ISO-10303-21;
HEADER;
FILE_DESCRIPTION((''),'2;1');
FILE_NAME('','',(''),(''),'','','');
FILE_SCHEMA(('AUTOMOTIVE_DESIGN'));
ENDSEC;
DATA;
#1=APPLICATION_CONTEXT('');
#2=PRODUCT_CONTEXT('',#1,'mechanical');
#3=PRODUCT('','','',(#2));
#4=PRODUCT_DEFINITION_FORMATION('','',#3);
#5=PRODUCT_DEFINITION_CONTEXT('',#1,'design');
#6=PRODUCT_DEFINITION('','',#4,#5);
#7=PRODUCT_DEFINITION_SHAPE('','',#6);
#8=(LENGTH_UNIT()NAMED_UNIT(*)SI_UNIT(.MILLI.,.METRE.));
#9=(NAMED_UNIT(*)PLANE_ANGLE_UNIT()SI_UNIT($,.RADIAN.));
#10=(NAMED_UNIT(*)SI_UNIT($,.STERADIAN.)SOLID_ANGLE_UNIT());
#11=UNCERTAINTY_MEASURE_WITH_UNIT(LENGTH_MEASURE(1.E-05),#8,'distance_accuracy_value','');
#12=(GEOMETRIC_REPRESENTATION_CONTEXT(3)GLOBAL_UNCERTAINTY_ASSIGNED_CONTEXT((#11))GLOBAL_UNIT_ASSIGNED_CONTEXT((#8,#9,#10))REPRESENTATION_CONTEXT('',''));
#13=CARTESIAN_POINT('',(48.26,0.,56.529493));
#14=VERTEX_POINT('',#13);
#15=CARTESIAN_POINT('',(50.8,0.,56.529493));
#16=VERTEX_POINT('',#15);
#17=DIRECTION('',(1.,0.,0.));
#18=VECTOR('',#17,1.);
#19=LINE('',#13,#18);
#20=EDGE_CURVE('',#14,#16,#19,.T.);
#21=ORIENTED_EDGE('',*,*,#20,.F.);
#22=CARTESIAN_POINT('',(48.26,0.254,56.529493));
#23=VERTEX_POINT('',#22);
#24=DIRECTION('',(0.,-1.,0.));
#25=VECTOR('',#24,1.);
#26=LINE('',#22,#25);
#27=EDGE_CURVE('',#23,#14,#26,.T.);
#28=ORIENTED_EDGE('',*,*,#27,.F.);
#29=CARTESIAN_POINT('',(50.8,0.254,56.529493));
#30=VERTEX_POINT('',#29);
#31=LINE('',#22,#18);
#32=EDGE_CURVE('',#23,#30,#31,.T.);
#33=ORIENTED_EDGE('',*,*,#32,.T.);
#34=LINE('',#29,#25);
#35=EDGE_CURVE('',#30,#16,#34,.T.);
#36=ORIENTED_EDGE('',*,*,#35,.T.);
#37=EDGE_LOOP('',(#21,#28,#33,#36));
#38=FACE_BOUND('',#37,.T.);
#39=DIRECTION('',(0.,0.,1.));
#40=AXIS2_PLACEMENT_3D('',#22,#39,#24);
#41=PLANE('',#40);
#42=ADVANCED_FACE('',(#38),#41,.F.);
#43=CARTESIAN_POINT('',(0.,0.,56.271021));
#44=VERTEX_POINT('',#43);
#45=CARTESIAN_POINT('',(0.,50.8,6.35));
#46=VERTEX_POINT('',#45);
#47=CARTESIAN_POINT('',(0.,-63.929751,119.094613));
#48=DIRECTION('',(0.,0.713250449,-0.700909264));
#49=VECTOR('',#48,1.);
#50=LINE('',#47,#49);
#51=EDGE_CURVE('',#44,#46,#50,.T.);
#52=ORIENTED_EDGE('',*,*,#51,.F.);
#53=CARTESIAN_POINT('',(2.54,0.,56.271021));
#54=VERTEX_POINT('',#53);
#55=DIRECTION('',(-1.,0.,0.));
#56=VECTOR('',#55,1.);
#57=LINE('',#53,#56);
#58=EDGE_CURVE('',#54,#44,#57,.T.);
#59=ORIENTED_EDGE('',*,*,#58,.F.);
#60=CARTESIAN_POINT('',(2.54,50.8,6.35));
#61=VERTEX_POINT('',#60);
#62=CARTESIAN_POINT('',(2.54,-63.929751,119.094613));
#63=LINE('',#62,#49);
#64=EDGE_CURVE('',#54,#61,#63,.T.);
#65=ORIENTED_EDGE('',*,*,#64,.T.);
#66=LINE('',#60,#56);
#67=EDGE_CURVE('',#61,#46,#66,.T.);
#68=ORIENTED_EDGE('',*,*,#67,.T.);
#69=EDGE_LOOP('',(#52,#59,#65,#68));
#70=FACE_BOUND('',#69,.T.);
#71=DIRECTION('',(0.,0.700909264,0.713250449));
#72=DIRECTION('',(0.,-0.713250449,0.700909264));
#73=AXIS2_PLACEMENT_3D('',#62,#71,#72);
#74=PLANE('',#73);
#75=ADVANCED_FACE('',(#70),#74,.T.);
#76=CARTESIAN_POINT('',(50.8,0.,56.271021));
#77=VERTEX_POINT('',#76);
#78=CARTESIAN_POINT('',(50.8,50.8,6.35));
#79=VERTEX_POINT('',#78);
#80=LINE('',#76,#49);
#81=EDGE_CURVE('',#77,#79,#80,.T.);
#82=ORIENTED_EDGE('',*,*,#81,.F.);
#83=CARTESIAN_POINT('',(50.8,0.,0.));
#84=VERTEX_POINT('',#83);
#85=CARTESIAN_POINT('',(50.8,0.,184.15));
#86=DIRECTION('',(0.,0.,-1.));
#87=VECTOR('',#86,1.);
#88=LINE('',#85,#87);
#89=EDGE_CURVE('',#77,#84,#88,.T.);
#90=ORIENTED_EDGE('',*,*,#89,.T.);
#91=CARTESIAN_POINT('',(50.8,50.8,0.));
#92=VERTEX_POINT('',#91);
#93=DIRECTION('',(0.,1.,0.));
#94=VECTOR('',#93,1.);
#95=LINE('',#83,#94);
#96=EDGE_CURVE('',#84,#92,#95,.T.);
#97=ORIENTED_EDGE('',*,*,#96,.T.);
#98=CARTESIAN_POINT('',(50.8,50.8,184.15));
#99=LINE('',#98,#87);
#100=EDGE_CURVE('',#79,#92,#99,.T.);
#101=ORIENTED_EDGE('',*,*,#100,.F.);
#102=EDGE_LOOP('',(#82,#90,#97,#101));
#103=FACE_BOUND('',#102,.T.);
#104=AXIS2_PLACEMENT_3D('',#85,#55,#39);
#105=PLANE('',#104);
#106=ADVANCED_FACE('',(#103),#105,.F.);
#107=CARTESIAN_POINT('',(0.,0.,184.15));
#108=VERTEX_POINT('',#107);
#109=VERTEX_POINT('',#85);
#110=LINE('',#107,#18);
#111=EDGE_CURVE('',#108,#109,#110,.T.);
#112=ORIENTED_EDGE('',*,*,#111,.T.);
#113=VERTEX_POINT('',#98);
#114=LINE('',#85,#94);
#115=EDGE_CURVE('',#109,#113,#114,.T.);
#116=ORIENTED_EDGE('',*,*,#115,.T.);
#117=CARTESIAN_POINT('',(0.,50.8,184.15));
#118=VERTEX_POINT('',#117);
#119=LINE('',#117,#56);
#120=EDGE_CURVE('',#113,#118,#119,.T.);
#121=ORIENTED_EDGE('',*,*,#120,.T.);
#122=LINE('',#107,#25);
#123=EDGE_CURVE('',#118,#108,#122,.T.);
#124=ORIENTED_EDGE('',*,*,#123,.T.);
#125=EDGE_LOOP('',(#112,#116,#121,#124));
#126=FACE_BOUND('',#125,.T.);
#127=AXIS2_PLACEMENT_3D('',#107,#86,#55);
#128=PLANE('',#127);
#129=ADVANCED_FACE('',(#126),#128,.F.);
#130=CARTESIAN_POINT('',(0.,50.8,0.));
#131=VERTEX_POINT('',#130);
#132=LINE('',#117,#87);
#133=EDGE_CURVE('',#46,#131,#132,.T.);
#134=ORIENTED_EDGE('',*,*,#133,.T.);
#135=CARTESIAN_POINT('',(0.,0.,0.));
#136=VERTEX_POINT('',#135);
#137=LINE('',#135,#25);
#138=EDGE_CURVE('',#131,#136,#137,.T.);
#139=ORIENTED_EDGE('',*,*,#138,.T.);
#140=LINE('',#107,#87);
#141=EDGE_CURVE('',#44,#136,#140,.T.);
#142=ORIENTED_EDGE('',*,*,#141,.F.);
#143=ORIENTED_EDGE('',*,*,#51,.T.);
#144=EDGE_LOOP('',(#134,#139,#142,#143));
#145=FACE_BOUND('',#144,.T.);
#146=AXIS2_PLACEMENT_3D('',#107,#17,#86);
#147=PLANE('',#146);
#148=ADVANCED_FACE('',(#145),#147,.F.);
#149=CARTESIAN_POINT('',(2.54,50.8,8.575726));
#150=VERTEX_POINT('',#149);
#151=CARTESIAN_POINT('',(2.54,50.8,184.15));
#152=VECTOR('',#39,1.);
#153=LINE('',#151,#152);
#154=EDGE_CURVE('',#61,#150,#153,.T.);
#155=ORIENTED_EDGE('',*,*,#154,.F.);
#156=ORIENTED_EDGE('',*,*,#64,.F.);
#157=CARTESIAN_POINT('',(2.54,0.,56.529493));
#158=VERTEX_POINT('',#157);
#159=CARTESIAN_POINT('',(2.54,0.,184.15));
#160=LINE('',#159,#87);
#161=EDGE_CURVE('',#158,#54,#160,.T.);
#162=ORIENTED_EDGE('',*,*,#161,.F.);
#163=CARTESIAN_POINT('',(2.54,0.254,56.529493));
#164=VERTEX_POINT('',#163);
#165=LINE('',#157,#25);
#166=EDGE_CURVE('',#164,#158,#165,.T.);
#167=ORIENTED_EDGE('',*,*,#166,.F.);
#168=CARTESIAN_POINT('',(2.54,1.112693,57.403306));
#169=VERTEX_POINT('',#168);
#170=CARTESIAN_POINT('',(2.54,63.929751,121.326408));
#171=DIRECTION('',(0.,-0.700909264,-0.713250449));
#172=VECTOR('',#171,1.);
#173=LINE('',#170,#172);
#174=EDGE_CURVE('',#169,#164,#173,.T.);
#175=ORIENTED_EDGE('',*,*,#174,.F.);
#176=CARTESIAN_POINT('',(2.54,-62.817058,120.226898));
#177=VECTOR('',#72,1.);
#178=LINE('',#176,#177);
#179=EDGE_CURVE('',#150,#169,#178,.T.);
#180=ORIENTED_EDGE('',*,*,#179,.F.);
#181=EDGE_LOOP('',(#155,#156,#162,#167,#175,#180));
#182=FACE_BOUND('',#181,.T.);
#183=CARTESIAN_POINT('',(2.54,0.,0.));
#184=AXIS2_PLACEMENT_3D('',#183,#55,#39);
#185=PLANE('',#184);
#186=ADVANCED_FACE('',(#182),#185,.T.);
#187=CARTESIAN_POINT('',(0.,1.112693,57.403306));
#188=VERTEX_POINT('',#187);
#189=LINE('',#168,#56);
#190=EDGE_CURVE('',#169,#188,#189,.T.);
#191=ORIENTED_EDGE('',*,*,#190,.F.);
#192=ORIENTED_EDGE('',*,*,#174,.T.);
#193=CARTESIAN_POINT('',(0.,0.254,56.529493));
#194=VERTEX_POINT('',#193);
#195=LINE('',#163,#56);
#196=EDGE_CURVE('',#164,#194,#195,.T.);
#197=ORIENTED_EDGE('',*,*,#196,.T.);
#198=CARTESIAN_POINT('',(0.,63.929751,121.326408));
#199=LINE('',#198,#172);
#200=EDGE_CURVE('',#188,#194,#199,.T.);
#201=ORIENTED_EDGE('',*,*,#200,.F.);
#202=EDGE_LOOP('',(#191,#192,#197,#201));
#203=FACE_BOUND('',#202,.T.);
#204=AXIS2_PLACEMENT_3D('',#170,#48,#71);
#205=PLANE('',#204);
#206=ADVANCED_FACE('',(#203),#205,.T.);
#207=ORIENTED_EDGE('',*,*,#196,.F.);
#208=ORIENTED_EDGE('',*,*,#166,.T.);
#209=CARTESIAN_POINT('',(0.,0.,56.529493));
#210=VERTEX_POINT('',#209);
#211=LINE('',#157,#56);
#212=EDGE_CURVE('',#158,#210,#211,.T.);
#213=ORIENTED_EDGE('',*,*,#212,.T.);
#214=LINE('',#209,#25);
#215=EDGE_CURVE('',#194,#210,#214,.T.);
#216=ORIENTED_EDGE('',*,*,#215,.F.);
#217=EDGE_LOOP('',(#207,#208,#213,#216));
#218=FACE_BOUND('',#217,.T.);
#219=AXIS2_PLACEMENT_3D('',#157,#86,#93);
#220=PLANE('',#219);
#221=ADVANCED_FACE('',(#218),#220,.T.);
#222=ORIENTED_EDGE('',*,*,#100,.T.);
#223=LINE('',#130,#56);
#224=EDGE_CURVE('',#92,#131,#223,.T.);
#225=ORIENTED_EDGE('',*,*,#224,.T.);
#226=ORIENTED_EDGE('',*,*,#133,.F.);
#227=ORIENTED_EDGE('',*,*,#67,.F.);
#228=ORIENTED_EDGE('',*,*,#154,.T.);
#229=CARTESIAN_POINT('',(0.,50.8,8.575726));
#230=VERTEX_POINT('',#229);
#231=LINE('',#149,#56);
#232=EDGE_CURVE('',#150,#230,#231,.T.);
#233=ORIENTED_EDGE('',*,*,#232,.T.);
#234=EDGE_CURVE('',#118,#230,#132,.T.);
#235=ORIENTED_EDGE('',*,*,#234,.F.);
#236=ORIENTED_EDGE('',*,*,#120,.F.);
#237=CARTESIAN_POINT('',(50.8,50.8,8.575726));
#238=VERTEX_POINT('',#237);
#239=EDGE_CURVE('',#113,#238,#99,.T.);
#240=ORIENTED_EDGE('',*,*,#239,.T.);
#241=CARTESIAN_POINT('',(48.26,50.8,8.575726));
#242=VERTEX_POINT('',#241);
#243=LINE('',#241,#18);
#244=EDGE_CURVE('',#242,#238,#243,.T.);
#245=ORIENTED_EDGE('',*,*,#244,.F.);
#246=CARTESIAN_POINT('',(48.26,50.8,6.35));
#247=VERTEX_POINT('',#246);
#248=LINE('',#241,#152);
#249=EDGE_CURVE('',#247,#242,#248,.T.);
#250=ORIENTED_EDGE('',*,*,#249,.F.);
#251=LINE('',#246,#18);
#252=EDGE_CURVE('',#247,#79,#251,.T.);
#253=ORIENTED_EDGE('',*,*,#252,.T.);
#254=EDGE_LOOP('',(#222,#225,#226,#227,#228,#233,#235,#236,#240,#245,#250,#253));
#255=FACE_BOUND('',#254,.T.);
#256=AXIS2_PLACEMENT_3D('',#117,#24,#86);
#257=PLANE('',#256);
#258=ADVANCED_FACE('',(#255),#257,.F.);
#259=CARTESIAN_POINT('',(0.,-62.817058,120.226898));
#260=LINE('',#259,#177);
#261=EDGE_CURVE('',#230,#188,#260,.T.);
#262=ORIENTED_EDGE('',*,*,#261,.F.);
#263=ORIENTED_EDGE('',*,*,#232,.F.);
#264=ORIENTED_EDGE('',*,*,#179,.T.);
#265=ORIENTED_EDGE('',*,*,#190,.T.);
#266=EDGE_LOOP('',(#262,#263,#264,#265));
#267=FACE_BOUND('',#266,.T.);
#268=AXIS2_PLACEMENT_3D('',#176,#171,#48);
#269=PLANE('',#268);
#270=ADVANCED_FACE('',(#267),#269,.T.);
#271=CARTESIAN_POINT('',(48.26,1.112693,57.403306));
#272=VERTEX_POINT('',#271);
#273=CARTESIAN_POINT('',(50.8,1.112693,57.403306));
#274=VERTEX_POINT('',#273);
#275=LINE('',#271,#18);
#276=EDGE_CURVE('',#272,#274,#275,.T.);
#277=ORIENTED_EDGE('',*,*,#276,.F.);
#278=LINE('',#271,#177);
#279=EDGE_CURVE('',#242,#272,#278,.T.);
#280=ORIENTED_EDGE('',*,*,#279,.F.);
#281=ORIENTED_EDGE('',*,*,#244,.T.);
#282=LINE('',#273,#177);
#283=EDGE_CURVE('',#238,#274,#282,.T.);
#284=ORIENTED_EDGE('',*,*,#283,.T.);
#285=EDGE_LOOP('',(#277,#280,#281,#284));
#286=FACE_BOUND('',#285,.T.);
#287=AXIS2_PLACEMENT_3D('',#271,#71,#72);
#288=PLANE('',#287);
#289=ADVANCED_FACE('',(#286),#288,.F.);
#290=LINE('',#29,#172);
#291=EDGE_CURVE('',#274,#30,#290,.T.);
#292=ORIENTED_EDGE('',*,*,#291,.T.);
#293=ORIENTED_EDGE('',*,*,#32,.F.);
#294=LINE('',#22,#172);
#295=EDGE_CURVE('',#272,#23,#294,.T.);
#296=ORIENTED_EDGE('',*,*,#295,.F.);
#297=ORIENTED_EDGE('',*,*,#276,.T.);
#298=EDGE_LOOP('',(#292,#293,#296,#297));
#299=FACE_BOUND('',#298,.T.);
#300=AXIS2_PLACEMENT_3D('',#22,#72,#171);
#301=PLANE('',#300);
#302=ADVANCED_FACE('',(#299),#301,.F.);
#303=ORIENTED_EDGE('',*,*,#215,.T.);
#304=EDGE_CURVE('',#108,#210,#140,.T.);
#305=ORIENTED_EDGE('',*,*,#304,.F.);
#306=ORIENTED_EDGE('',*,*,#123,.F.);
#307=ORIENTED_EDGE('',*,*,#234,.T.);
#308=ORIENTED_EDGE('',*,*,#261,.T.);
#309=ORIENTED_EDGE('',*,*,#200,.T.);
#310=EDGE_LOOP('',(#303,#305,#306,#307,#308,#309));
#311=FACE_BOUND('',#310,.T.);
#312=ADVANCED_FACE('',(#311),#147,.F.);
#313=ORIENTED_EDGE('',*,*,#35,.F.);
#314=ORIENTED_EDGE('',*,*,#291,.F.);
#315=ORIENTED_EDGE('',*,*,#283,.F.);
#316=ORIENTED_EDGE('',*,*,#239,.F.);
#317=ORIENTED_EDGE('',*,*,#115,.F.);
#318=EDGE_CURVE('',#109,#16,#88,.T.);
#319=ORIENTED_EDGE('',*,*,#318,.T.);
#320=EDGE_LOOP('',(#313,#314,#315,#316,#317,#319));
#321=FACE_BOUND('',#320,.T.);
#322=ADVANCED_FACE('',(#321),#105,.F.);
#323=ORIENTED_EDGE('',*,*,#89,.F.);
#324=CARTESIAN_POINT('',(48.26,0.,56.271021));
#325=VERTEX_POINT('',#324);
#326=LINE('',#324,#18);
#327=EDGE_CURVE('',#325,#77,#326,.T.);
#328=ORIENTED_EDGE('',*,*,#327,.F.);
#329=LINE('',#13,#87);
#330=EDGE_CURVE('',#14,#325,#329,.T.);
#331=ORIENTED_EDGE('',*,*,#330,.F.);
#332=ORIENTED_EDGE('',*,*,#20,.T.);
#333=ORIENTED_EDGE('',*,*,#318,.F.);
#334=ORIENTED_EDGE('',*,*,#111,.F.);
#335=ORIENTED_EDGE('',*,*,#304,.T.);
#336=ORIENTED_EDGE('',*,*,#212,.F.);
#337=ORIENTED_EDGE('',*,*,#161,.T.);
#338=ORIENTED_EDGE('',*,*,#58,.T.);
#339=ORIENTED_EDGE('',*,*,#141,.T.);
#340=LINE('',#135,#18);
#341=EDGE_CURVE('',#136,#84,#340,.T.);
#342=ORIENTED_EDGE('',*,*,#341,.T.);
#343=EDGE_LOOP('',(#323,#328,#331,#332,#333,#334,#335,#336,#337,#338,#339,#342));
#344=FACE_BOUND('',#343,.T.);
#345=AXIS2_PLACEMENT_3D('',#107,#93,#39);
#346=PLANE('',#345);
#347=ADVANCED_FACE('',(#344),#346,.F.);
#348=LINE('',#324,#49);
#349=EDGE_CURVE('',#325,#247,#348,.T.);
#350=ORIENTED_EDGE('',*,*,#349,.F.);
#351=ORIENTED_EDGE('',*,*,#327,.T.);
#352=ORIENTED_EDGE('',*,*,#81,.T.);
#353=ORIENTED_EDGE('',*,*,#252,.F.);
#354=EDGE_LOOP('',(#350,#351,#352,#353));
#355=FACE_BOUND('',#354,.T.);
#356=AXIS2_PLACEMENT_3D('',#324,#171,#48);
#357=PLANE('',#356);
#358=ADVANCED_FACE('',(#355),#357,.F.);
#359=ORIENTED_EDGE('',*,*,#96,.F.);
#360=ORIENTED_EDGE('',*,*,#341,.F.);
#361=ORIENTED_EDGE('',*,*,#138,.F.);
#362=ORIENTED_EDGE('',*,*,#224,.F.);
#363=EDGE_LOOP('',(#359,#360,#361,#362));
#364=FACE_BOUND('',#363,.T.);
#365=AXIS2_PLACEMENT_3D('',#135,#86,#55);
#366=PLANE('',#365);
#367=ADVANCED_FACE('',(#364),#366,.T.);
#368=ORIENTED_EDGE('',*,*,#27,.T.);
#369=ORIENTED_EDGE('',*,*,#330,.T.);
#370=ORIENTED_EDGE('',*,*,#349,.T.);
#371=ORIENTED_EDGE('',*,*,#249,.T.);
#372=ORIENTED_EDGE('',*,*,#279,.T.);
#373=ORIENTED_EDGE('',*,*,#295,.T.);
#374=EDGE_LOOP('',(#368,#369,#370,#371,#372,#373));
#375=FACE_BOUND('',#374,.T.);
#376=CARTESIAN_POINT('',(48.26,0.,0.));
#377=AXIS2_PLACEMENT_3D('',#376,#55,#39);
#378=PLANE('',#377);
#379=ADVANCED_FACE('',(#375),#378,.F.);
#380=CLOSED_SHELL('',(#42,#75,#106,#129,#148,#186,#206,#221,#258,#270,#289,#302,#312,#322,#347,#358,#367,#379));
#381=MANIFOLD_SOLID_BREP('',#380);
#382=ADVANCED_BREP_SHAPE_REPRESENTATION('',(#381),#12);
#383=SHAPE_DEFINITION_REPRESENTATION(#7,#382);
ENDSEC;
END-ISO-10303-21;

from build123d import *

# Parameters (mm, degrees)
SKETCH1_W           = 50.8
SKETCH1_H           = 50.8
BOSS_EXTRUDE1_DEPTH = 184.15
CUT_EXTRUDE1_DEPTH  = 2.54
CUT_EXTRUDE2_START  = -50.8
CUT_EXTRUDE2_DEPTH  = 2.54


with BuildPart() as part:
    # Sketch1 → Boss-Extrude1 (new body)
    with BuildSketch(Plane.XY):
        with Locations((25.4, 25.4)):
            Rectangle(SKETCH1_W, SKETCH1_H)
    extrude(amount=BOSS_EXTRUDE1_DEPTH)

    # Sketch2 → Cut-Extrude1 (cut)
    with BuildSketch(Plane(origin=(50.8, 0, 0), x_dir=(0, 0, -1), z_dir=(1, 0, 0))):
        Polygon((-56.271020966, 0), (-6.35, 50.8), (-8.575725903, 50.8), (-57.403306054, 1.112693457), (-56.529493244, 0.254), (-56.529493244, 0), align=None)
    extrude(amount=-CUT_EXTRUDE1_DEPTH, mode=Mode.SUBTRACT)

    # Sketch2<2> → Cut-Extrude2 (cut)
    with BuildSketch(Plane(origin=(50.8, 0, 0), x_dir=(0, 0, -1), z_dir=(1, 0, 0)).offset(CUT_EXTRUDE2_START)):
        Polygon((-56.271020966, 0), (-6.35, 50.8), (-8.575725903, 50.8), (-57.403306054, 1.112693457), (-56.529493244, 0.254), (-56.529493244, 0), align=None)
    extrude(amount=CUT_EXTRUDE2_DEPTH, mode=Mode.SUBTRACT)


solid = part.part
